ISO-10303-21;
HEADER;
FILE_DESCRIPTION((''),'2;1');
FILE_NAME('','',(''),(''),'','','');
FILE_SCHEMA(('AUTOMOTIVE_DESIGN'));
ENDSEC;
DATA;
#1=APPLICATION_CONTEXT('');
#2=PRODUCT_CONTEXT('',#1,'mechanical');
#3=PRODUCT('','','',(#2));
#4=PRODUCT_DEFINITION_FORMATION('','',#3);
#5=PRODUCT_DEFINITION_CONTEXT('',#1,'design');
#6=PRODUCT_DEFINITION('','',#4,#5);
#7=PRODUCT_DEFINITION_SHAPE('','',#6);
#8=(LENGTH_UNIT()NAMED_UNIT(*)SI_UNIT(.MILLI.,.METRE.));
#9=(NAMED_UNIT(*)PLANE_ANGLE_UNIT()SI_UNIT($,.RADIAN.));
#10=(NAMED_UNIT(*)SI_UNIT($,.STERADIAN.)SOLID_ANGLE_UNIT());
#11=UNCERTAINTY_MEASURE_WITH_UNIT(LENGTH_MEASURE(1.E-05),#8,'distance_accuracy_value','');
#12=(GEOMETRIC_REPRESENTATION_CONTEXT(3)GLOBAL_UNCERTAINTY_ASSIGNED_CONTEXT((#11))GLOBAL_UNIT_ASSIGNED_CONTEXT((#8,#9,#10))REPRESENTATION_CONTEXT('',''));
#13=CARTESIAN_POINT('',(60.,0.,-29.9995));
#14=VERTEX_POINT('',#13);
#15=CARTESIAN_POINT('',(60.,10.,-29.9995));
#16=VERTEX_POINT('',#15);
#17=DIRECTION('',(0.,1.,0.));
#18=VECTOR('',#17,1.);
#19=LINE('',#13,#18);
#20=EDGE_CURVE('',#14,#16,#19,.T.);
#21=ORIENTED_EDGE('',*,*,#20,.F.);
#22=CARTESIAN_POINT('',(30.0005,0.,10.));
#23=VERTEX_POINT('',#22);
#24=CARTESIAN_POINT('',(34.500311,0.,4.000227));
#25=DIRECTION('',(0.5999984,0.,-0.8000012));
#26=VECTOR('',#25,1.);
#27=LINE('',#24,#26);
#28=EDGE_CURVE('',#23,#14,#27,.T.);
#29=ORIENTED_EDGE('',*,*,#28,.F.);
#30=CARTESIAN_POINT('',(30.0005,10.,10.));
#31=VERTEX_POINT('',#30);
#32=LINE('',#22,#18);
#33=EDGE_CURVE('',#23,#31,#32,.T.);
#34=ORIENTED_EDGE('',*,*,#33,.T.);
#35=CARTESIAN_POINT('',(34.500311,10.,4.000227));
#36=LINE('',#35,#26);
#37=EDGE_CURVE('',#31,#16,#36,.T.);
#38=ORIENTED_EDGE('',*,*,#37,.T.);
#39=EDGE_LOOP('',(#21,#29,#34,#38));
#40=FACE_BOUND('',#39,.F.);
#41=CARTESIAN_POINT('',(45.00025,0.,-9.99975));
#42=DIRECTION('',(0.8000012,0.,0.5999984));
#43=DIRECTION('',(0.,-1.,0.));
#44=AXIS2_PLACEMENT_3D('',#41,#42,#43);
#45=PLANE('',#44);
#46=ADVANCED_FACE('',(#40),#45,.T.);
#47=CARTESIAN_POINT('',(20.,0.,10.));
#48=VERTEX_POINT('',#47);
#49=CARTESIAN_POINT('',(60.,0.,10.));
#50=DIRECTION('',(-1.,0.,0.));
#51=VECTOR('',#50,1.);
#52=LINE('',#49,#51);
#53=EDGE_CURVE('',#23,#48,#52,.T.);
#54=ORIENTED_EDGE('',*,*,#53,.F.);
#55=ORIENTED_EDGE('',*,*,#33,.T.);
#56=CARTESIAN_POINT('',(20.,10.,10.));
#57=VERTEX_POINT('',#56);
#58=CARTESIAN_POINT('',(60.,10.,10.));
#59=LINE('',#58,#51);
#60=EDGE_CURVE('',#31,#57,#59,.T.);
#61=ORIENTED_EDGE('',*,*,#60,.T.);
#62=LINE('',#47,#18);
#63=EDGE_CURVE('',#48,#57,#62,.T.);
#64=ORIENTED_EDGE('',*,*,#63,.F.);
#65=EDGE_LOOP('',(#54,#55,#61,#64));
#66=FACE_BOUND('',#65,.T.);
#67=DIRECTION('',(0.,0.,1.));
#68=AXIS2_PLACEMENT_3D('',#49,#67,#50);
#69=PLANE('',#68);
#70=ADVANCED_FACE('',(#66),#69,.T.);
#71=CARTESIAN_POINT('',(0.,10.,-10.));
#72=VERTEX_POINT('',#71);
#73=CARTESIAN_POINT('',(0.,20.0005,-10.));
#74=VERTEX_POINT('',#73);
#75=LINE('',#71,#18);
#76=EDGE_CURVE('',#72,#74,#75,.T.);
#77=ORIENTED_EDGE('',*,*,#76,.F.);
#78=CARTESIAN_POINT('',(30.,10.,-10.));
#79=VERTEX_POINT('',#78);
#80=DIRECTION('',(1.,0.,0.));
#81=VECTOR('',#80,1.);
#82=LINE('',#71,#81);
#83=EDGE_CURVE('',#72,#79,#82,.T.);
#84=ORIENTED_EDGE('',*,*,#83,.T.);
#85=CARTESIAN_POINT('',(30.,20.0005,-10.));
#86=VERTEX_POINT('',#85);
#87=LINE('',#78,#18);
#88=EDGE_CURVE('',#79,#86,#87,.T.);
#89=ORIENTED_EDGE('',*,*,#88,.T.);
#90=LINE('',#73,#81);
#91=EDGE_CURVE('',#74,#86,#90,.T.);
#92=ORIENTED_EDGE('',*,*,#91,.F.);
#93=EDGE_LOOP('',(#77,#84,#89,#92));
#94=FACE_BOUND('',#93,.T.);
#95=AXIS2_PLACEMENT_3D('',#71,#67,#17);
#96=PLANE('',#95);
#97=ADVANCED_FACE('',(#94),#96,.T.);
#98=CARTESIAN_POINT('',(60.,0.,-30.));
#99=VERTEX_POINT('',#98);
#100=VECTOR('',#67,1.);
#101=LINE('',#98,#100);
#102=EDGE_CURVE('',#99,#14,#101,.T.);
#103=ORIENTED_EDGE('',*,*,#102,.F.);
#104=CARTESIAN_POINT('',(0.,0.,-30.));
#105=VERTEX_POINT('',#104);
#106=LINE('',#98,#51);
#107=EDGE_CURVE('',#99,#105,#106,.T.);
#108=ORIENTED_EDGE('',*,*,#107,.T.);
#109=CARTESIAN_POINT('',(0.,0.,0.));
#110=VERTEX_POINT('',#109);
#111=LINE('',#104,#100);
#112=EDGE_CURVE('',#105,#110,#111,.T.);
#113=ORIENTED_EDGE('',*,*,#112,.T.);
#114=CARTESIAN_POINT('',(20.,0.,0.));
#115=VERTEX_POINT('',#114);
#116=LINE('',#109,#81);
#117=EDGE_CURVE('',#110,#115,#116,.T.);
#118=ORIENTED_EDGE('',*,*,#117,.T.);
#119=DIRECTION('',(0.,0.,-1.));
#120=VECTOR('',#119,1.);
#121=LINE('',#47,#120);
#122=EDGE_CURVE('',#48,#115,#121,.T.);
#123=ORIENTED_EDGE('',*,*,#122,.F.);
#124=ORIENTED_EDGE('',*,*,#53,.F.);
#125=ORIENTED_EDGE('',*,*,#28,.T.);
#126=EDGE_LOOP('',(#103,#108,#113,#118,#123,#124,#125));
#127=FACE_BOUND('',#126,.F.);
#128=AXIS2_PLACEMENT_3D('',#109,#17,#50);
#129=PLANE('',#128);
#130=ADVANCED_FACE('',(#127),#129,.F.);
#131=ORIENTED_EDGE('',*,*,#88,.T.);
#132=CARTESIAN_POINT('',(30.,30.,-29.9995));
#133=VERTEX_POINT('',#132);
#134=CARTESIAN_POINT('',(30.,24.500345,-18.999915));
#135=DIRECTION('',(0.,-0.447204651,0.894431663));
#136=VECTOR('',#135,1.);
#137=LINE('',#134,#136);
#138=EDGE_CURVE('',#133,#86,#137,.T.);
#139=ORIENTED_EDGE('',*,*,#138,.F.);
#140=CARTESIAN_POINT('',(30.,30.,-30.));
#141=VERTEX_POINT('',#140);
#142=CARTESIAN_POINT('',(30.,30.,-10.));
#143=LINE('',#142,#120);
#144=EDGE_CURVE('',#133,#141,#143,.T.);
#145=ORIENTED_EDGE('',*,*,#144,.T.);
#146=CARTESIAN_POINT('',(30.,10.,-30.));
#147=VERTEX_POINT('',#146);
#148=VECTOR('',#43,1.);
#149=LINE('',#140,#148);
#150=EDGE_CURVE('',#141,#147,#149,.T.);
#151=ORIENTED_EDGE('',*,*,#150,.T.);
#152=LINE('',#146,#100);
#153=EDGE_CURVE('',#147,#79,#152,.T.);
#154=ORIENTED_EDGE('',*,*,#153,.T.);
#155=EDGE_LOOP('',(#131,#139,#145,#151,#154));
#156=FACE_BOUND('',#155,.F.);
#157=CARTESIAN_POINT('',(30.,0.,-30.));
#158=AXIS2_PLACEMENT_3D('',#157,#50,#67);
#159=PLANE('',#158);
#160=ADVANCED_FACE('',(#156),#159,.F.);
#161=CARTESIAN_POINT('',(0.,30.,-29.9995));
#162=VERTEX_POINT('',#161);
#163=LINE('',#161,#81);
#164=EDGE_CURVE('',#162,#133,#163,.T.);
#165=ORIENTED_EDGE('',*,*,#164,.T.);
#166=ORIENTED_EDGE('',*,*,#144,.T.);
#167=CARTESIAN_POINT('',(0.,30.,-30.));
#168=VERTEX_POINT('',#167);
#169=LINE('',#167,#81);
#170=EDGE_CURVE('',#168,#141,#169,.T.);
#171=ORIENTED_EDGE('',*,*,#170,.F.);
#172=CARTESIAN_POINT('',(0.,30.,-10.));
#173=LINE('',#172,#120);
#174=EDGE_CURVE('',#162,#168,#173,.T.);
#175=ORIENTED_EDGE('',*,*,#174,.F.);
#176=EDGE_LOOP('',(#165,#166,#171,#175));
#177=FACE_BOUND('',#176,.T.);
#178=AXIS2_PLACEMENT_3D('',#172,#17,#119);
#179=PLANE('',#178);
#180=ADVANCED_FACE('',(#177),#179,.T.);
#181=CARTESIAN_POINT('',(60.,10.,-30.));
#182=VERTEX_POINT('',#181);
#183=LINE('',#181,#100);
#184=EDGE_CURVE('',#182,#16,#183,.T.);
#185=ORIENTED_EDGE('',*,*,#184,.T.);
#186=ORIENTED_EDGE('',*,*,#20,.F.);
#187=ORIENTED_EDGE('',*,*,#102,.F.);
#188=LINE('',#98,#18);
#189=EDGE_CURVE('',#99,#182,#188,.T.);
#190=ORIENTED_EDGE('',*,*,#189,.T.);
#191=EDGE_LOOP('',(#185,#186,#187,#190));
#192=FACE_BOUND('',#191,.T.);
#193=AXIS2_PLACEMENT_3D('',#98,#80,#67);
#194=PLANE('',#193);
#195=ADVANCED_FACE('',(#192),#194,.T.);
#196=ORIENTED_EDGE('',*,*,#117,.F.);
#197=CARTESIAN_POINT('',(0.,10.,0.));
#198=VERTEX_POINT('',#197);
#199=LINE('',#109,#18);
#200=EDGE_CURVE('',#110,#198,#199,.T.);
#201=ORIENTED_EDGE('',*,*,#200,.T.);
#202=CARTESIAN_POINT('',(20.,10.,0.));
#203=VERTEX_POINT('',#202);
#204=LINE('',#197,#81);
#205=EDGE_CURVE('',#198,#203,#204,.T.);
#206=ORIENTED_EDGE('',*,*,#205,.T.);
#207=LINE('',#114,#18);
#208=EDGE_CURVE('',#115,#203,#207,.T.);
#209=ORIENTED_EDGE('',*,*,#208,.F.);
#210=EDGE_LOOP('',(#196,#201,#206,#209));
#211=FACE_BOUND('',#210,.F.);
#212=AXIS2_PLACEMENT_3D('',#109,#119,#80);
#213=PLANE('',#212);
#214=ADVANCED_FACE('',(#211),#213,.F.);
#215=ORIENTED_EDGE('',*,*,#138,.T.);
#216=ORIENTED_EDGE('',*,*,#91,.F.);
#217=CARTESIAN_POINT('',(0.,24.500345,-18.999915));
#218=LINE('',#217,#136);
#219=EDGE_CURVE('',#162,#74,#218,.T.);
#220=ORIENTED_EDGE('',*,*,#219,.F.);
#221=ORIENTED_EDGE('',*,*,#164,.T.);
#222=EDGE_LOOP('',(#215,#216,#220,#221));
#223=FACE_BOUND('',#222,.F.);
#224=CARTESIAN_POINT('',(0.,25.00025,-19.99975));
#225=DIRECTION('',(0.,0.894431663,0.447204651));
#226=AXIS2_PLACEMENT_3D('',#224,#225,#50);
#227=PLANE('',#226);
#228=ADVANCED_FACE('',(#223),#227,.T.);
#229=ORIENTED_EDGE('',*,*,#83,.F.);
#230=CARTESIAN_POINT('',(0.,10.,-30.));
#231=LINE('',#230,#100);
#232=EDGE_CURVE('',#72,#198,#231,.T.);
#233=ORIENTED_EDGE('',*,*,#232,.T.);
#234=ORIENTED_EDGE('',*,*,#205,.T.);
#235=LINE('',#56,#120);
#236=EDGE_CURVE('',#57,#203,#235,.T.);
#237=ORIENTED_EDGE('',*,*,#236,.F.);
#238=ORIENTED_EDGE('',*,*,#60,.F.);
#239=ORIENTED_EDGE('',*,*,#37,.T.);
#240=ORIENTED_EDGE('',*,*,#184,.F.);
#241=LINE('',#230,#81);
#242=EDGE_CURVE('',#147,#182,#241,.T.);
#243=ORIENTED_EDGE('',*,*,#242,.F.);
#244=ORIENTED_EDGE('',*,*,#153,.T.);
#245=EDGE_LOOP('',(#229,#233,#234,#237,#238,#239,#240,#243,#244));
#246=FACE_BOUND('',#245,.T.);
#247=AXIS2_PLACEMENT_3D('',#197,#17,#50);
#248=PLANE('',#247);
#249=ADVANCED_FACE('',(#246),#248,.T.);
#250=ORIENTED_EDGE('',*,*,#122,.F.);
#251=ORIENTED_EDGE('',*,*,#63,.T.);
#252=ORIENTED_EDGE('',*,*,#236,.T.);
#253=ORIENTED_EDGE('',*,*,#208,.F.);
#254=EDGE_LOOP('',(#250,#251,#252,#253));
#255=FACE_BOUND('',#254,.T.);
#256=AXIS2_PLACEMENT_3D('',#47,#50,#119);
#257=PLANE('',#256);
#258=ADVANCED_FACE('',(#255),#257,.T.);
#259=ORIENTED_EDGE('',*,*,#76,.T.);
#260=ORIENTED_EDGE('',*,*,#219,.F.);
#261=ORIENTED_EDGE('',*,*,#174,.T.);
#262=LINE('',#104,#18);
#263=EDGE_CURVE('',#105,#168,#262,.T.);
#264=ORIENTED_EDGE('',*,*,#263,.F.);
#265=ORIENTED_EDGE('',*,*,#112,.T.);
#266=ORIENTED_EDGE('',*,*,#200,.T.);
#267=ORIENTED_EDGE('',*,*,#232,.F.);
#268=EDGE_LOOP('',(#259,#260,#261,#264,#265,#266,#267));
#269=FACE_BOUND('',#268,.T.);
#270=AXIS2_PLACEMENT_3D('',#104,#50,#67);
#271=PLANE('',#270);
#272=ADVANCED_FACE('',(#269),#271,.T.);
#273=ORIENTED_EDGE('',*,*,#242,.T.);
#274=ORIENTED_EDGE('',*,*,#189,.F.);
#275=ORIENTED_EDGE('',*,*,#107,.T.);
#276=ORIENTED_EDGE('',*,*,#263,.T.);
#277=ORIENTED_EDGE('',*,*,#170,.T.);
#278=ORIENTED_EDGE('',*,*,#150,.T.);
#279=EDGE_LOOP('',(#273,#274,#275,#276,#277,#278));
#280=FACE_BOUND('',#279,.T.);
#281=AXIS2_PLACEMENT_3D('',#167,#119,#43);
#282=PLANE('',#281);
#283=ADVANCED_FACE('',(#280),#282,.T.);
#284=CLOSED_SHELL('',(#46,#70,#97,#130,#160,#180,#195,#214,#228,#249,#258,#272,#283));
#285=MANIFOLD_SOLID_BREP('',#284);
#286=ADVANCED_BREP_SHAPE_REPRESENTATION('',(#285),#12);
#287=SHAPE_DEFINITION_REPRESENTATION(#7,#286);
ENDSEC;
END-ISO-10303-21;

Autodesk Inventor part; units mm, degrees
ref_plane "YZ Plane" through (0, 0, 0) normal (1, 0, 0) x (0, 1, 0)
ref_plane "XZ Plane" through (0, 0, 0) normal (0, 1, 0) x (-1, 0, 0)
ref_plane "XY Plane" through (0, 0, 0) normal (0, 0, 1) x (1, 0, 0)
sketch "草圖1" plane through (0, 0, 0) normal (0, 1, 0) x (-1, 0, 0)
  line L0 (0, 0) -> (-20, 0)
  line L1 (-20, 0) -> (-20, -30)
  line L2 (-20, -30) -> (0, -30)
  line L3 (0, -30) -> (0, 0)
  line L4 (-20, -30) -> (-60, -30)
  line L5 (-60, -30) -> (-60, 10)
  line L6 (-60, 10) -> (-20, 10)
  line L7 (-20, 10) -> (-20, -30)
  dimension "d0" = 20
  dimension "d1" = 40
  dimension "d2" = 40
  dimension "d3" = 30
extrude "擠出1" add sketch "草圖1" along normal blind 10
chamfer "倒角1" distance 30 distance2 40 1 edges at (60, 5, 10) measured on face at (33.3333, 3.3333, 10)
sketch "草圖2" plane through (0, 0, -30) normal (-1, 0, 0) x (0, 0, 1)
  line L0 (0, 0) -> (0, 10) projected
  line L1 (0, 10) -> (20, 10)
  line L2 (20, 10) -> (20, 30)
  line L3 (20, 30) -> (0, 30)
  line L4 (0, 30) -> (0, 10)
  point P0 (30, 0)
  dimension "d9" = 20
  dimension "d10" = 20
extrude "擠出2" add sketch "草圖2" against normal blind 30
chamfer "倒角2" distance 20 distance2 10 1 edges at (15, 30, -10) measured on face at (10, 30, -16.6667)
properties part number "43"
